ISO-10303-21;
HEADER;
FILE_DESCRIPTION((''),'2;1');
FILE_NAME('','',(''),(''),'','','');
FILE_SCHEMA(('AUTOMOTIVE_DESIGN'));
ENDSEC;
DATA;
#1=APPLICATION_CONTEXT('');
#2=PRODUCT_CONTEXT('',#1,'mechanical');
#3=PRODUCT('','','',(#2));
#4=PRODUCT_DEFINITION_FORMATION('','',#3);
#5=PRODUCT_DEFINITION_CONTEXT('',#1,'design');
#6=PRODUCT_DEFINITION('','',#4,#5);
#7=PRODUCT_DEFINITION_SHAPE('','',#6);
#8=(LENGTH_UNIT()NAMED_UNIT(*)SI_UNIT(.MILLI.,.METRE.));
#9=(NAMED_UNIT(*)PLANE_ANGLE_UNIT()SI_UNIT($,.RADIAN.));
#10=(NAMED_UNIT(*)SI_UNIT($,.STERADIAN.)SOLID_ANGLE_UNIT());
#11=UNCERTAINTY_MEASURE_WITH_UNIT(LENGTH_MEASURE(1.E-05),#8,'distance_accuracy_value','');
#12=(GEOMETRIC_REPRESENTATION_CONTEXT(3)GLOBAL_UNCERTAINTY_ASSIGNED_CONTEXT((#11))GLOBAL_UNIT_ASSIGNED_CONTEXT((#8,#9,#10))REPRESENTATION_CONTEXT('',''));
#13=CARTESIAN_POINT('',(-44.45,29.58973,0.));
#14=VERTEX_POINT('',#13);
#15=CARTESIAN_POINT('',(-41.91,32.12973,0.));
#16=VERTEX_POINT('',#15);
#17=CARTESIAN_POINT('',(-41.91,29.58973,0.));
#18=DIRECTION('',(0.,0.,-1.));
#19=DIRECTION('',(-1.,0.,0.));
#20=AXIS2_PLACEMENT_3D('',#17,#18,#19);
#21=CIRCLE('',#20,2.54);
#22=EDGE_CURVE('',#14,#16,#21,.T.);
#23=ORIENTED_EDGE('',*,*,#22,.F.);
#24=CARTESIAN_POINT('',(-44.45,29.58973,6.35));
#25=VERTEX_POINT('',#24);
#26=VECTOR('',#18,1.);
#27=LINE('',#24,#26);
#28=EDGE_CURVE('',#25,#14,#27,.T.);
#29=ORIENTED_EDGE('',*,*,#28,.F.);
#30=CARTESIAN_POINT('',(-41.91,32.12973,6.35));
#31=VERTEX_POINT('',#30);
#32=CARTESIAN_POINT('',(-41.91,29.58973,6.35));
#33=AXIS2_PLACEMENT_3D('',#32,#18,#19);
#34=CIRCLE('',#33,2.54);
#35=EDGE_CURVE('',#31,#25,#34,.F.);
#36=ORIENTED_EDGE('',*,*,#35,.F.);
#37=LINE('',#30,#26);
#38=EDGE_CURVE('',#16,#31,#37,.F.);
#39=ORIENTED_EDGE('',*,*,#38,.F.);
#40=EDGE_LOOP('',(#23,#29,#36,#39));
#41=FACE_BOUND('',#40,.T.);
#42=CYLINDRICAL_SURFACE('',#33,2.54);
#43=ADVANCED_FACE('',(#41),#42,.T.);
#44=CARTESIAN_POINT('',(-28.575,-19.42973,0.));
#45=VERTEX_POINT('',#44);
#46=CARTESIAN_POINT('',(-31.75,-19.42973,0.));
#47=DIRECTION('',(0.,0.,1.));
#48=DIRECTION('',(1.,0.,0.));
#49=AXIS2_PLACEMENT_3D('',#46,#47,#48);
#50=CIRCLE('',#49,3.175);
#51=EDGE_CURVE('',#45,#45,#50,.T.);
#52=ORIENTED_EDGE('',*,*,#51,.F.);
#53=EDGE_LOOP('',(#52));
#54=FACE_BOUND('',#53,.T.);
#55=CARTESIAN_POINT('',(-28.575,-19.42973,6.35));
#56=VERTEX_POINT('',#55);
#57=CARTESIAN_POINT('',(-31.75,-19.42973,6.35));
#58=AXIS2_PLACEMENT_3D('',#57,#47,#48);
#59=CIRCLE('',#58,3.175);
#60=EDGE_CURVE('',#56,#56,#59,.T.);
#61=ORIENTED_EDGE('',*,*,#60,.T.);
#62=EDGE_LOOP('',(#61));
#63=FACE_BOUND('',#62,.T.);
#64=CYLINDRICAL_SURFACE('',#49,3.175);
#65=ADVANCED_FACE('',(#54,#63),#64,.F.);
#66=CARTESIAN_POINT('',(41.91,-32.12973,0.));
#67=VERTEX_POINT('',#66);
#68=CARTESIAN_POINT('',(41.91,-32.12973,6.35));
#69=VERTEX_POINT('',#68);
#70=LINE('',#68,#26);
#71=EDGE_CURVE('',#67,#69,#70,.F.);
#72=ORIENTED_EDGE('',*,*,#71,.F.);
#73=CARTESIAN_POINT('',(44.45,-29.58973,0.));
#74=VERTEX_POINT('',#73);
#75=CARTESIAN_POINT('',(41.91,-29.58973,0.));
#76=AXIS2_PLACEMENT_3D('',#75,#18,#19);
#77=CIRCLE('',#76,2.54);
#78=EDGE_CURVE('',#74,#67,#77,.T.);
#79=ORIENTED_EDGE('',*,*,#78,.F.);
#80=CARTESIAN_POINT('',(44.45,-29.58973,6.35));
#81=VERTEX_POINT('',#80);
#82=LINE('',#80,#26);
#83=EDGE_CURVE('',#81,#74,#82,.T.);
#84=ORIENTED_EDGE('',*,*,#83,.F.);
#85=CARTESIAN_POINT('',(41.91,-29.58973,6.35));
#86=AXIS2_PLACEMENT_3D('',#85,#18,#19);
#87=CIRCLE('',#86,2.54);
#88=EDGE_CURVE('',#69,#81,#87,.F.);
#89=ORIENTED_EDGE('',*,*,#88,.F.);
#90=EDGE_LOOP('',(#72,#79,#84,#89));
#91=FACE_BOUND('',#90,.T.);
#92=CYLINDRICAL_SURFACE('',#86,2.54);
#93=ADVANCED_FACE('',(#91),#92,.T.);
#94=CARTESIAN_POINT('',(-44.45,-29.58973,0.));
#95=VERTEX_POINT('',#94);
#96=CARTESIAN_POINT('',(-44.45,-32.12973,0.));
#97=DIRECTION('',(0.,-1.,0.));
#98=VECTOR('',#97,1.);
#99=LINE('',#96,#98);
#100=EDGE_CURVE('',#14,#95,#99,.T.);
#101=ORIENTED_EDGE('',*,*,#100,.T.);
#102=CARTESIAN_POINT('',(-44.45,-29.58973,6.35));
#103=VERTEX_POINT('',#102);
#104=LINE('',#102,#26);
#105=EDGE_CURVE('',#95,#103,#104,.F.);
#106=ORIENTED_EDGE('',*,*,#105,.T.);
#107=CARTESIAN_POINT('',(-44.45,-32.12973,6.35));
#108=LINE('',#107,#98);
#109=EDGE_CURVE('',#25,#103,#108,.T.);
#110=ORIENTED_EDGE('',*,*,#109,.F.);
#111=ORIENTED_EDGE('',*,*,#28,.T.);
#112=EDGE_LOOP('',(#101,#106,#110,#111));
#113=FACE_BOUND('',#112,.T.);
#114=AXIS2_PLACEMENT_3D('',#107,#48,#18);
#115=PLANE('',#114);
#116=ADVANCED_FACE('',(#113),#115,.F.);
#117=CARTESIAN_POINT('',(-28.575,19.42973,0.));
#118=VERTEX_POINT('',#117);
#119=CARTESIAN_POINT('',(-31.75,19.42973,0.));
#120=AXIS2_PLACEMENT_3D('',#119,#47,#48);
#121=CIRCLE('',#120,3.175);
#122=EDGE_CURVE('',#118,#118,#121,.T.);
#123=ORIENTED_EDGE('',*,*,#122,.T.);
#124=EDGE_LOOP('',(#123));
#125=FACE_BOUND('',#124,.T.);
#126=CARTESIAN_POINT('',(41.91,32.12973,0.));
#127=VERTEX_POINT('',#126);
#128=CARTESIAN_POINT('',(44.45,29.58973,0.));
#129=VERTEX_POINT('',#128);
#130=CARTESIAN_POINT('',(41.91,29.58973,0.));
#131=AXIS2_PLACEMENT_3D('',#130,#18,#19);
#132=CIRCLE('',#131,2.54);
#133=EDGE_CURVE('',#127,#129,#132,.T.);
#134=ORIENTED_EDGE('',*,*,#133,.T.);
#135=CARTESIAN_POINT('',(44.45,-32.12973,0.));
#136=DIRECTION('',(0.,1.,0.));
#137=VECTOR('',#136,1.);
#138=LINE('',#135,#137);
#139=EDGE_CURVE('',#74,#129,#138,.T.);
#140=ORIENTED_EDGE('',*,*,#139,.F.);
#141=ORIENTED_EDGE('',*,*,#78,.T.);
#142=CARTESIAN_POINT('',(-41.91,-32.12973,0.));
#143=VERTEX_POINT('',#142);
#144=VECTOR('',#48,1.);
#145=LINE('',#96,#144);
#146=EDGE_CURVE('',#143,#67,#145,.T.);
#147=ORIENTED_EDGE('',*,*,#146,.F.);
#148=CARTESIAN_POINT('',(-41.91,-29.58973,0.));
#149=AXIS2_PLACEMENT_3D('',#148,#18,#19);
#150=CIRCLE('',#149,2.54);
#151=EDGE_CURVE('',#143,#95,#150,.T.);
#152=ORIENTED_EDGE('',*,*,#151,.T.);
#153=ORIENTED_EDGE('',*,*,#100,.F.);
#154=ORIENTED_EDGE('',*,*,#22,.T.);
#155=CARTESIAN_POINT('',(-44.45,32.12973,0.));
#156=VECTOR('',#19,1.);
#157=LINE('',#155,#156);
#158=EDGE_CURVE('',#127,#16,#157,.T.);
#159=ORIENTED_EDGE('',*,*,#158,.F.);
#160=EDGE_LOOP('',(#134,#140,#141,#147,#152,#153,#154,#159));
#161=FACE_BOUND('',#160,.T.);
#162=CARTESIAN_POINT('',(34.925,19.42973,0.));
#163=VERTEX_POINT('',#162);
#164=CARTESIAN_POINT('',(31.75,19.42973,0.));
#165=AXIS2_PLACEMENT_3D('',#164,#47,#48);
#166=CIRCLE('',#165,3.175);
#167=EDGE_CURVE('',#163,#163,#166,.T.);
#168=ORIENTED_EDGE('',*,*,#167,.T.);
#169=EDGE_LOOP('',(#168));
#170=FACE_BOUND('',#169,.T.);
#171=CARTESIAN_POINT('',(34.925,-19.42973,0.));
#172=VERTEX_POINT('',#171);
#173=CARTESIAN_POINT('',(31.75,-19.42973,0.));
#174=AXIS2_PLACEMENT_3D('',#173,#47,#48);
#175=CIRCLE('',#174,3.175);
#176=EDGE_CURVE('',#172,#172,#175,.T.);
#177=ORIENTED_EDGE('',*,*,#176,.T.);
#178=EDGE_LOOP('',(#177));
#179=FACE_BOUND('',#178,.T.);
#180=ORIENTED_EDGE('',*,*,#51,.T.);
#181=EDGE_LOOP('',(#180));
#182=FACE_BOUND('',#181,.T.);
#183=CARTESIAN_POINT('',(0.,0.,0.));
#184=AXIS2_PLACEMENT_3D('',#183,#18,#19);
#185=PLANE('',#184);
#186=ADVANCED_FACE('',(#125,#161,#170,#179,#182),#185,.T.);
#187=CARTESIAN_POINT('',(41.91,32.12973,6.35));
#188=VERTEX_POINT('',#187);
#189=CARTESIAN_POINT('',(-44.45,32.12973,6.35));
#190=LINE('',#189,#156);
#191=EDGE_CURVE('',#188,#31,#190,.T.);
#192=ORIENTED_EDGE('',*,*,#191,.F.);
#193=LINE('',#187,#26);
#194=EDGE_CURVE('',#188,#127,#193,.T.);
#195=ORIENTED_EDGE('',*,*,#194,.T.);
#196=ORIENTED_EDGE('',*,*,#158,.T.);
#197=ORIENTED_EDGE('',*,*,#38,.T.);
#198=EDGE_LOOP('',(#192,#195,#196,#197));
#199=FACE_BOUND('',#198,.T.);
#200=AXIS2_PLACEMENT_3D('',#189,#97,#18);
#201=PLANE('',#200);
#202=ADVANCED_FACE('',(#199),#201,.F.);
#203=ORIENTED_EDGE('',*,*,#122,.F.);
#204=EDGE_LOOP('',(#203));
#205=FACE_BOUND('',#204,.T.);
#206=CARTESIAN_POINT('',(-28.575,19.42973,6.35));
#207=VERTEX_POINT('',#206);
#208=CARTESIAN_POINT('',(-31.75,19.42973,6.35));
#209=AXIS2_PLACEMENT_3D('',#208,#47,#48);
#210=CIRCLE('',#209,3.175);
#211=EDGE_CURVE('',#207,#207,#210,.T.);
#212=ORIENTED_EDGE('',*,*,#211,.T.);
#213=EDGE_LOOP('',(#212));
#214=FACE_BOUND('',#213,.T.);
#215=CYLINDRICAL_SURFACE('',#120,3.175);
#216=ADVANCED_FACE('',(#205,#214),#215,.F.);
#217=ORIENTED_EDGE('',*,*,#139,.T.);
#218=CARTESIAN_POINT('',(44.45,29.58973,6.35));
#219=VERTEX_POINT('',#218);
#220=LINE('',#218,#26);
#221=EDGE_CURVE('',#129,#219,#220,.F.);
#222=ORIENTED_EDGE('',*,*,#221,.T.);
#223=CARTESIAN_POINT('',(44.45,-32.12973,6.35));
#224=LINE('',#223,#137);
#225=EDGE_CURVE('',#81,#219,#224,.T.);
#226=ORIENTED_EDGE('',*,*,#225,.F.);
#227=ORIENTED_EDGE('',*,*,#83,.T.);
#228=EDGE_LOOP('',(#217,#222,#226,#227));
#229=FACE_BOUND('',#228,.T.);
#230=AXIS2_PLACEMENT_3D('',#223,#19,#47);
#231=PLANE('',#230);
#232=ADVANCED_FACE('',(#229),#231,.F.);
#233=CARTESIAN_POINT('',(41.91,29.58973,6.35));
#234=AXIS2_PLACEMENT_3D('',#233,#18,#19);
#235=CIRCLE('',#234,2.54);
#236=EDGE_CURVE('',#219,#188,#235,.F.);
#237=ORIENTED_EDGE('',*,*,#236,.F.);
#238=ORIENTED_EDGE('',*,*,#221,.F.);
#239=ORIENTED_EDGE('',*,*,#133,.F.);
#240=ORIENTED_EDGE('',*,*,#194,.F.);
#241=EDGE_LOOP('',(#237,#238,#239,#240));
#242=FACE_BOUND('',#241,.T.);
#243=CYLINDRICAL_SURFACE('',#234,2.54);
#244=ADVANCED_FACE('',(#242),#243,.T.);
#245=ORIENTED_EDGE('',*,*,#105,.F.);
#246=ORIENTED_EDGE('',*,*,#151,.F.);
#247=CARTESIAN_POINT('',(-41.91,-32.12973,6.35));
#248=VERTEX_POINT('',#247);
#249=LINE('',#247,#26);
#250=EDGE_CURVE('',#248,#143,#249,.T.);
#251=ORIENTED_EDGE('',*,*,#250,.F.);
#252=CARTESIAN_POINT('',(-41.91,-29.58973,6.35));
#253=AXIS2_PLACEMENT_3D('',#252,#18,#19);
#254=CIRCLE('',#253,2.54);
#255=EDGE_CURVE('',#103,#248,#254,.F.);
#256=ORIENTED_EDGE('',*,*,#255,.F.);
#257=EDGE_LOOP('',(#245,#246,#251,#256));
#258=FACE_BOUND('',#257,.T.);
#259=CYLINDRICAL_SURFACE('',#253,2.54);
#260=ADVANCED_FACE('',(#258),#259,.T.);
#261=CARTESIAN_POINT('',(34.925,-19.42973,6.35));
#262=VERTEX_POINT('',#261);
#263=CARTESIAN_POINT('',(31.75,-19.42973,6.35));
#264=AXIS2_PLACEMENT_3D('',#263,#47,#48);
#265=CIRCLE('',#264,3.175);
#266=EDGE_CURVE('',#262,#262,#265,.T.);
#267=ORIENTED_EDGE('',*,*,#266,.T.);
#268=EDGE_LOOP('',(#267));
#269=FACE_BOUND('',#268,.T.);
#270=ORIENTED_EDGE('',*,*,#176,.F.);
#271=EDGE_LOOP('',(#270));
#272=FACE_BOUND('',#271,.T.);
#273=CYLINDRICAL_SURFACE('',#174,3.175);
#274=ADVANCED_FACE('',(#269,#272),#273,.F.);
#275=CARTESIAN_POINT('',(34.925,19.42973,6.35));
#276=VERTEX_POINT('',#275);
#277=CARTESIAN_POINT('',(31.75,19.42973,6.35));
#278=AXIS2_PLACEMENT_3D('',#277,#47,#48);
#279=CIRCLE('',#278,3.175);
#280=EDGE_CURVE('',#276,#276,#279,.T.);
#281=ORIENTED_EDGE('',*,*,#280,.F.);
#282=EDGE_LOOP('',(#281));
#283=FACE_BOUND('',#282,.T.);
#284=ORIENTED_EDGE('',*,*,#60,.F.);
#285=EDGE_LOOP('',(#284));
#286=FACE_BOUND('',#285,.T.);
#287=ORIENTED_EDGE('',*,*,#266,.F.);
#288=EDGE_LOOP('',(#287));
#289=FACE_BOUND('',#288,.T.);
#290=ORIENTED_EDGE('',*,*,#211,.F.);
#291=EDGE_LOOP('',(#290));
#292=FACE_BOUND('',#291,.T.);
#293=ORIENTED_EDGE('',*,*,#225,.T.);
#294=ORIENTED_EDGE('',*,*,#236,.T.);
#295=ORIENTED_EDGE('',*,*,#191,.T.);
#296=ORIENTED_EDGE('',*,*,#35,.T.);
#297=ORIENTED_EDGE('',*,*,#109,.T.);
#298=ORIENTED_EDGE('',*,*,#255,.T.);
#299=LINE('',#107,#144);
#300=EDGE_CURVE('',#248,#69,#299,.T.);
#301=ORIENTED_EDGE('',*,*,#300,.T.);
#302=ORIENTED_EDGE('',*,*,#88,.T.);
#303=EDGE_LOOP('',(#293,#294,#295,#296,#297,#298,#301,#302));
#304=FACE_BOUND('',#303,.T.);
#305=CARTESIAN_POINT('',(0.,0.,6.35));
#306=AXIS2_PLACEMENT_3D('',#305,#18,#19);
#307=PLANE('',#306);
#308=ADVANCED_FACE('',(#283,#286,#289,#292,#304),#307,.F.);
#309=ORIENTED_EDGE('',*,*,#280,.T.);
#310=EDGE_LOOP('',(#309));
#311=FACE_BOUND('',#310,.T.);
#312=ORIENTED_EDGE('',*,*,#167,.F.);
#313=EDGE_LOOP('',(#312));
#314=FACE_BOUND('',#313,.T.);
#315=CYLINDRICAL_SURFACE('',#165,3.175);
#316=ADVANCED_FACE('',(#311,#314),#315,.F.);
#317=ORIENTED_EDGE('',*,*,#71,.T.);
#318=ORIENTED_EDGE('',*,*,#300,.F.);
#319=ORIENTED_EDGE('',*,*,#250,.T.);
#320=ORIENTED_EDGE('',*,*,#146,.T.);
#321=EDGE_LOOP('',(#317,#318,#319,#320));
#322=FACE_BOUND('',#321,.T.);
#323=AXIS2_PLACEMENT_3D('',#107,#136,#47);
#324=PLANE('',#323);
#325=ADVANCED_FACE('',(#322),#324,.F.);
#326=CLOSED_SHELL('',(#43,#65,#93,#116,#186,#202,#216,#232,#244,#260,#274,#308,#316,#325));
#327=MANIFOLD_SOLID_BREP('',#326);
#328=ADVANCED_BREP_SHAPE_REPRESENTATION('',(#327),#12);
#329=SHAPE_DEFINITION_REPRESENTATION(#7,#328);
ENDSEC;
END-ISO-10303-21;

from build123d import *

# Parameters (mm, degrees)
SKETCH1_W           = 88.9
SKETCH1_H           = 64.25946
BOSS_EXTRUDE1_DEPTH = 6.35
FILLET1_R           = 2.54
SKETCH2_R           = 3.175
CUT_EXTRUDE1_DEPTH  = 6.35


with BuildPart() as part:
    # Sketch1 → Boss-Extrude1 (new body)
    with BuildSketch(Plane.XY):
        Rectangle(SKETCH1_W, SKETCH1_H)
    extrude(amount=BOSS_EXTRUDE1_DEPTH)

    # Fillet1
    fillet1_edges = [part.edges().sort_by_distance(p)[0] for p in [
        (44.45, -32.12973, 3.175),
        (-44.45, -32.12973, 3.175),
        (-44.45, 32.12973, 3.175),
        (44.45, 32.12973, 3.175),
    ]]
    fillet(fillet1_edges, radius=FILLET1_R)

    # Sketch2 → Cut-Extrude1 (cut)
    with BuildSketch(Plane.XY.offset(6.35)):
        with Locations((-31.75, 19.42973)):
            Circle(SKETCH2_R)
        with Locations((31.75, 19.42973)):
            Circle(SKETCH2_R)
        with Locations((31.75, -19.42973)):
            Circle(SKETCH2_R)
        with Locations((-31.75, -19.42973)):
            Circle(SKETCH2_R)
    extrude(amount=-CUT_EXTRUDE1_DEPTH, mode=Mode.SUBTRACT)


solid = part.part
